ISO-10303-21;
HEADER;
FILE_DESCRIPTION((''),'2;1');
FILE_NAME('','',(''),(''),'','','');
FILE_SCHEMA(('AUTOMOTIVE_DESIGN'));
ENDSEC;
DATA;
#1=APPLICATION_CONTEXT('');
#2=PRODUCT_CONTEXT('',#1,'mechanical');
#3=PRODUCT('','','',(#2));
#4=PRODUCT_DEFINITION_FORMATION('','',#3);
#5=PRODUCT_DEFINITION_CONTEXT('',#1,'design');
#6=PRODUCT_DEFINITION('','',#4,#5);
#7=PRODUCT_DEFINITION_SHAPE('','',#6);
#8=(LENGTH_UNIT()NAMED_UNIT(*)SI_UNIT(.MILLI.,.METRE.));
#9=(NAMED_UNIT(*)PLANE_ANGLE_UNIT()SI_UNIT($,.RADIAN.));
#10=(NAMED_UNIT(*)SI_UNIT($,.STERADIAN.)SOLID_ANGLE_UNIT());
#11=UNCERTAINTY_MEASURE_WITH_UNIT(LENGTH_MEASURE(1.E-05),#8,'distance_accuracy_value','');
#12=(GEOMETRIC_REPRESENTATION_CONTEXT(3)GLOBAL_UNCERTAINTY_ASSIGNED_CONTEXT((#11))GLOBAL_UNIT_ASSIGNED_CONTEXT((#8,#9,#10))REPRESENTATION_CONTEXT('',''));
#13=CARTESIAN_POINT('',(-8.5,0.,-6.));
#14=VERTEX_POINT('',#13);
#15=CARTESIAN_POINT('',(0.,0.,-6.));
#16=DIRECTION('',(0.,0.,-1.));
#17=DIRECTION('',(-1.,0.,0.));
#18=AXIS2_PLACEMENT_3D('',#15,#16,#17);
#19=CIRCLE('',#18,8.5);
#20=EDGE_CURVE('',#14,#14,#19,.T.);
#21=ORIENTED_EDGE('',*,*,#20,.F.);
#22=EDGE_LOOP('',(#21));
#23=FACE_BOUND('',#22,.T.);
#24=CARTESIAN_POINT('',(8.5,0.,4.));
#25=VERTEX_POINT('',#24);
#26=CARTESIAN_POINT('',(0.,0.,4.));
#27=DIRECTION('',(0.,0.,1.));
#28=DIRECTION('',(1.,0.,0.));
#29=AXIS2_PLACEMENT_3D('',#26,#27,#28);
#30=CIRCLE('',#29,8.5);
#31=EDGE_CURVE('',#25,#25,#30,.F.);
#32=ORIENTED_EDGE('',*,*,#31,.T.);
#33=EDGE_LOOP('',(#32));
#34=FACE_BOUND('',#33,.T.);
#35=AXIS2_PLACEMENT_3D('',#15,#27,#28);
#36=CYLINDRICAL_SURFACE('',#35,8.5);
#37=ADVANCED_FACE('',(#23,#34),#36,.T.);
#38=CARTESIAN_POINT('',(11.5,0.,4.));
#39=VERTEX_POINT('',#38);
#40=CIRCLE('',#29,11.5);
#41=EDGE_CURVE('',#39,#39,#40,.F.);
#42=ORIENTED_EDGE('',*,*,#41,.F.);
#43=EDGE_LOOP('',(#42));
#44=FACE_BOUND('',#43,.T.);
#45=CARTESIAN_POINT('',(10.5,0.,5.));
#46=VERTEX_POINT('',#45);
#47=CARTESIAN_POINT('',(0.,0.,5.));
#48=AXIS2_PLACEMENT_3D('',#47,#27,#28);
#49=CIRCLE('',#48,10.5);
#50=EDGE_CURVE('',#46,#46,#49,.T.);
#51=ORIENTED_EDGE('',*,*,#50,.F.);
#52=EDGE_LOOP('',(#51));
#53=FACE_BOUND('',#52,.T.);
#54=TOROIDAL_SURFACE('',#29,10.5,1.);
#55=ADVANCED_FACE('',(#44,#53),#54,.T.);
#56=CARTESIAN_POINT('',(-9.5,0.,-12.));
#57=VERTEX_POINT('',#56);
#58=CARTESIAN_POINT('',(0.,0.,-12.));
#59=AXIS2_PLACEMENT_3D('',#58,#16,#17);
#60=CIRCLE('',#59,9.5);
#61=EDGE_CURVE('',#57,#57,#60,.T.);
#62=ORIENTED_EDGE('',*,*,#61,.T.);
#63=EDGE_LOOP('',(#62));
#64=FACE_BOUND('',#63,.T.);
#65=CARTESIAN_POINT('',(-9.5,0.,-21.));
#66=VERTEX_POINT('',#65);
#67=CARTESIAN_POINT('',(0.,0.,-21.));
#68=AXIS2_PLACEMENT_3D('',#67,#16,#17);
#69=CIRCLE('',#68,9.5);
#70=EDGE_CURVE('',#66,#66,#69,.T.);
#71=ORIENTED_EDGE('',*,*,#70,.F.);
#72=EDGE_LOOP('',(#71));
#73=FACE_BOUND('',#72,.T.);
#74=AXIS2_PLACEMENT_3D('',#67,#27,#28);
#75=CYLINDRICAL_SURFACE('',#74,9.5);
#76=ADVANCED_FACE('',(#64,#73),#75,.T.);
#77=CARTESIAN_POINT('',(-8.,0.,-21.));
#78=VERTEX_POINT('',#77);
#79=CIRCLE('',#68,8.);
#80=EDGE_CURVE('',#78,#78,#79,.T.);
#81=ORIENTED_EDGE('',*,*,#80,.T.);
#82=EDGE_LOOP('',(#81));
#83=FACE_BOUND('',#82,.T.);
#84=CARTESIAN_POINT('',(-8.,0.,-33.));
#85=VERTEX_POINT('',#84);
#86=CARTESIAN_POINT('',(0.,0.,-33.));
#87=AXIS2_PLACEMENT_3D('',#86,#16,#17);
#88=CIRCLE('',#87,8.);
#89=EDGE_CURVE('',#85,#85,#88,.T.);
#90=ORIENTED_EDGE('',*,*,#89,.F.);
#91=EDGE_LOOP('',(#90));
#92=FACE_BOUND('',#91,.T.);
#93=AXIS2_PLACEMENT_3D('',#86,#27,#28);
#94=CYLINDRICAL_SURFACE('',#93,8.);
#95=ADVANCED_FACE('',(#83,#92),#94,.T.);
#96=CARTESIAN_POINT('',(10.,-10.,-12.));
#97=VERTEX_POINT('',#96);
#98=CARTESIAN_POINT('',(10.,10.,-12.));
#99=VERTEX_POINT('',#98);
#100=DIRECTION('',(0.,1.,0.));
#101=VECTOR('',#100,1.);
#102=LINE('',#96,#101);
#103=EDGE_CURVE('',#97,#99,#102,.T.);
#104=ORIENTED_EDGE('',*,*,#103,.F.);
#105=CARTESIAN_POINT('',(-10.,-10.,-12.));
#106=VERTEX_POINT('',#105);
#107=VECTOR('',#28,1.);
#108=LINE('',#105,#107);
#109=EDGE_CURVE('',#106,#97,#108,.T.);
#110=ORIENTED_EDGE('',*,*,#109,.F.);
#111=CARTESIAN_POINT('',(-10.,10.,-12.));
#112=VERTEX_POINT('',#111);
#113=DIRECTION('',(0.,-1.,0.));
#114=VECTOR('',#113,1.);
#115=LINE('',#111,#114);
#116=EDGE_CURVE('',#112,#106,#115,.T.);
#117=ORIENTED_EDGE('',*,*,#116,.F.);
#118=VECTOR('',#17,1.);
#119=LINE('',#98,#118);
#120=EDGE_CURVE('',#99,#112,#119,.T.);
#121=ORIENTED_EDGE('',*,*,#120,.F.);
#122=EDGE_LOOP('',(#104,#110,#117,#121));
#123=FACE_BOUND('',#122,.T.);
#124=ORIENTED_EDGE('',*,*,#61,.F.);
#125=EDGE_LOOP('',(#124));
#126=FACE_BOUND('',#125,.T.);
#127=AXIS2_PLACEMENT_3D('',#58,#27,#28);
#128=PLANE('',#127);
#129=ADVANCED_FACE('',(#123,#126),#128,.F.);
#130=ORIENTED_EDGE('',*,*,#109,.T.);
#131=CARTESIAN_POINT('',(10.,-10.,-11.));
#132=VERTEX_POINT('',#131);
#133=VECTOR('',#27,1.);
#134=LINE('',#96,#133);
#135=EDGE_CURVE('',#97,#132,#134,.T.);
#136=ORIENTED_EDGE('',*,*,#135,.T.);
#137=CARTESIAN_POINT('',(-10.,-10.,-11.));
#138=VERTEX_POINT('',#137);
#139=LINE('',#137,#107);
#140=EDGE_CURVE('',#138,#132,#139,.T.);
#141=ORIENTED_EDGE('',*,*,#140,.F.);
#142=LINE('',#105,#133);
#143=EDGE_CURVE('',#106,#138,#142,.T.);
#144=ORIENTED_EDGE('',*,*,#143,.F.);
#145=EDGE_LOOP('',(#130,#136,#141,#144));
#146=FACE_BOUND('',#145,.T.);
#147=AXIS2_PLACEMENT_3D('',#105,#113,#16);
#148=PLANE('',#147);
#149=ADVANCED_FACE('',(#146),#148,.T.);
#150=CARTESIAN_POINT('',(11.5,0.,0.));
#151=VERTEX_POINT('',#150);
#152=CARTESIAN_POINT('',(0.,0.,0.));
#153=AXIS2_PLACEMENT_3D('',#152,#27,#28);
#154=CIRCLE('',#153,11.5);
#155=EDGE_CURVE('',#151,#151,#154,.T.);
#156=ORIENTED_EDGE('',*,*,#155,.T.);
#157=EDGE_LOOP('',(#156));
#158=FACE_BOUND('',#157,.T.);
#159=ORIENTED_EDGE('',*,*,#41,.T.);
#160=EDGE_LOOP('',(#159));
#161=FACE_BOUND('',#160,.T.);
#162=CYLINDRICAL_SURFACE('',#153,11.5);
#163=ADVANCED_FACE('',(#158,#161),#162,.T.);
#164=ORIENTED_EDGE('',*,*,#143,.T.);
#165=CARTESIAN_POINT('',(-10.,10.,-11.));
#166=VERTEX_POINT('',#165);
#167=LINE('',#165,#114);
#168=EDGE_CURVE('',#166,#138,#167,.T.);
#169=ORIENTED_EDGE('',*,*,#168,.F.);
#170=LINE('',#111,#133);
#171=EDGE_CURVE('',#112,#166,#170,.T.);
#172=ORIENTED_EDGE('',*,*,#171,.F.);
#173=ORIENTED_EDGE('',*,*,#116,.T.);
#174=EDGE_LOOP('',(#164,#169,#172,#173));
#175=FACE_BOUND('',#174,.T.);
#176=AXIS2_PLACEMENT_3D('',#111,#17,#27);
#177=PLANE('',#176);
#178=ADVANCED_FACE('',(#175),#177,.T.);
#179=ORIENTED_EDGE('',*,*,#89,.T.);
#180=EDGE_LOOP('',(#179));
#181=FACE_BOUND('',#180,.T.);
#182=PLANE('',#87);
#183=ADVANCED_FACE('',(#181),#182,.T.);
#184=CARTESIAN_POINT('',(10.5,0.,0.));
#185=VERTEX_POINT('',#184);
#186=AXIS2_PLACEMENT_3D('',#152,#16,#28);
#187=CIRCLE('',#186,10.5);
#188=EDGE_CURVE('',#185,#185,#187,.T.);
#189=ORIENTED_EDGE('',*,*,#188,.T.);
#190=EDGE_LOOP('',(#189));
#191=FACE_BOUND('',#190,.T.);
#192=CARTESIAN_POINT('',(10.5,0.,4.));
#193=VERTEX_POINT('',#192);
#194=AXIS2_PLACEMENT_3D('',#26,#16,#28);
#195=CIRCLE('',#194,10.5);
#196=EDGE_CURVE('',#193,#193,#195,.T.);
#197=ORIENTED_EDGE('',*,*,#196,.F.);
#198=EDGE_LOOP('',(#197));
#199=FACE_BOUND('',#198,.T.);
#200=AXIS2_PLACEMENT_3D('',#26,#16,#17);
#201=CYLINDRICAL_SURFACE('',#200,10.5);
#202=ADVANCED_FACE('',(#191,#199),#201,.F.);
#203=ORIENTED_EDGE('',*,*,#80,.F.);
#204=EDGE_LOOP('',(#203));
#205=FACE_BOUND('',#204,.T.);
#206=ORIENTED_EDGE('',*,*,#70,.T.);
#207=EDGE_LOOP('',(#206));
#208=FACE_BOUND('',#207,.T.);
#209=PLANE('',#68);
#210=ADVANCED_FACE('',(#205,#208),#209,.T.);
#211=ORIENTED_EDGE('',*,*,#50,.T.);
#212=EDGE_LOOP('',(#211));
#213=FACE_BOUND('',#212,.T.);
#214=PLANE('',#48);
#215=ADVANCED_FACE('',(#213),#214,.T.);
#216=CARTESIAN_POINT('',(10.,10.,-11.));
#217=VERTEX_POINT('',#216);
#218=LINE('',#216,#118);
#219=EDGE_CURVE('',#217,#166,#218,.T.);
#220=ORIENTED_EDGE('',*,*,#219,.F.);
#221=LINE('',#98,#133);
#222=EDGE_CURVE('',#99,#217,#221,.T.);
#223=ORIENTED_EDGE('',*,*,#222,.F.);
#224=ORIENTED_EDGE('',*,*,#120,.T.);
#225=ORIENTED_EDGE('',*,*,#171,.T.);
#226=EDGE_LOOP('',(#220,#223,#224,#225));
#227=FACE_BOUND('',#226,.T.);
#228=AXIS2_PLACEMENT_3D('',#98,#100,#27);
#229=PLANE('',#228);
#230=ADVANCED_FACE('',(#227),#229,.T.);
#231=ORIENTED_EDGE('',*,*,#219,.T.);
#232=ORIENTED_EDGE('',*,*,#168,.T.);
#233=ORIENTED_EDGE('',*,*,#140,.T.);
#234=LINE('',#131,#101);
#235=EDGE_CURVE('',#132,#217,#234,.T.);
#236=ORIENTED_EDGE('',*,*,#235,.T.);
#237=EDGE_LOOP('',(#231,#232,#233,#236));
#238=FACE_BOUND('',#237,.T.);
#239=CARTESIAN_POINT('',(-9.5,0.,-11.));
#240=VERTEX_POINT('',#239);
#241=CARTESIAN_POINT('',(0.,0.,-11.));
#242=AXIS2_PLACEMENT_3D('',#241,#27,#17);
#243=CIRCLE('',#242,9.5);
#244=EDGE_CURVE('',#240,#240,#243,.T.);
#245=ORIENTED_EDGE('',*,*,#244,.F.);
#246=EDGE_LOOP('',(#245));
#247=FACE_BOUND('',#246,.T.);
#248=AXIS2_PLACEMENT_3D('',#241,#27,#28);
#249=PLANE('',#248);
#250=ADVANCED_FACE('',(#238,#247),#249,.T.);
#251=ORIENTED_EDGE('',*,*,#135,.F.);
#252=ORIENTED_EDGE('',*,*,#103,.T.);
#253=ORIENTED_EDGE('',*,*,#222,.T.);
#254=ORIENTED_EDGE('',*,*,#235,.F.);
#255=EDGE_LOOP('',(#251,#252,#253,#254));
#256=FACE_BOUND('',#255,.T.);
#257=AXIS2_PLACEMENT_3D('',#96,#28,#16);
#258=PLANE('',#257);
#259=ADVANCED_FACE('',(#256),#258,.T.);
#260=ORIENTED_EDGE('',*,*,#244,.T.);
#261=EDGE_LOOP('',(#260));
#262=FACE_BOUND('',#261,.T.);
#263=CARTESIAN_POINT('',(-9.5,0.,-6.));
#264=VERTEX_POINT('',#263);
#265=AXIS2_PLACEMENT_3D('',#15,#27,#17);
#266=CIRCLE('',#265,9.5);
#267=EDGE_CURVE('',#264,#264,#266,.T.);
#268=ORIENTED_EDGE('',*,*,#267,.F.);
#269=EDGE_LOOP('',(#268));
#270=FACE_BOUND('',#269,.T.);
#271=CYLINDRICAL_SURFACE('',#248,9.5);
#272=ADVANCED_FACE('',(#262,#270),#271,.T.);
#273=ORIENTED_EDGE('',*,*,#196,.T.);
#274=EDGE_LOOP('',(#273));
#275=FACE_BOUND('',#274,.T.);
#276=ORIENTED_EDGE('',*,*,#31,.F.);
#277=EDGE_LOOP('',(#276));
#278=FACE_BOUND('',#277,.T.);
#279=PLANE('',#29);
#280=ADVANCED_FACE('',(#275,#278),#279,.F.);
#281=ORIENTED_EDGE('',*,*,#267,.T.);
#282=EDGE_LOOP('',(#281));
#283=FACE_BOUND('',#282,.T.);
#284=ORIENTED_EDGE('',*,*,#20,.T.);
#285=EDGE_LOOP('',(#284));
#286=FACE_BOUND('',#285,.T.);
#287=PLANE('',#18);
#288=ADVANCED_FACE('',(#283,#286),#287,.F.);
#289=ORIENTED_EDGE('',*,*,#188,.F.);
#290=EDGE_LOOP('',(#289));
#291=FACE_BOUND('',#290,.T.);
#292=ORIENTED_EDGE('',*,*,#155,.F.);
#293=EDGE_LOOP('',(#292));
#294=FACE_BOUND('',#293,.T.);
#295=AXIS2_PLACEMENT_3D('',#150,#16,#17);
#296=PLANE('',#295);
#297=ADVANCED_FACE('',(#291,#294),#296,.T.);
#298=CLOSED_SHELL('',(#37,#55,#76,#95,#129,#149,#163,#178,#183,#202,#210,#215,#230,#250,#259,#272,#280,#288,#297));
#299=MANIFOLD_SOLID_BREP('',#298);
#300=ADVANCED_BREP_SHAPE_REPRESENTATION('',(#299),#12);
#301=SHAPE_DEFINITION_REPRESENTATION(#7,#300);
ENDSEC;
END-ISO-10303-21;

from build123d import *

# Parameters (mm, degrees)
SKETCH_1_W          = 11.5
SKETCH_1_H          = 5
SKETCH_2_R          = 10.5
CUT_EXTRUDE_1_DEPTH = 4
SKETCH_3_R          = 8.5
EXTRUDE_1_DEPTH     = 10
SKETCH_4_R          = 9.5
EXTRUDE_2_DEPTH     = 5
SKETCH_5_W          = 20
SKETCH_5_H          = 20
EXTRUDE_3_DEPTH     = 1
SKETCH_6_R          = 9.5
EXTRUDE_4_DEPTH     = 9
SKETCH_7_R          = 8
EXTRUDE_5_DEPTH     = 12
FILLET_1_R          = 1


with BuildPart() as part:
    # 草图1 → 旋转1 (revolve)
    with BuildSketch(Plane(origin=(0, 0, 0), x_dir=(1, 0, 0), z_dir=(0, 1, 0))):
        with Locations((5.75, -2.5)):
            Rectangle(SKETCH_1_W, SKETCH_1_H)
    revolve(axis=Axis((0, 0, 0), (0, 0, 1)))

    # 草图2 → 切除-拉伸1 (cut)
    with BuildSketch(Plane(origin=(0, 0, 0), x_dir=(-1, 0, 0), z_dir=(0, 0, -1))):
        with Locations(Location((0, 0, 0), (0, 0, 180))):
            Circle(SKETCH_2_R)
    extrude(amount=-CUT_EXTRUDE_1_DEPTH, mode=Mode.SUBTRACT)

    # 草图3 → 凸台-拉伸1 (add)
    with BuildSketch(Plane(origin=(0, 0, 4), x_dir=(-1, 0, 0), z_dir=(0, 0, -1))):
        with Locations(Location((0, 0, 0), (0, 0, 180))):
            Circle(SKETCH_3_R)
    extrude(amount=EXTRUDE_1_DEPTH)

    # 草图4 → 凸台-拉伸2 (add)
    with BuildSketch(Plane.XY.offset(-6)):
        with Locations(Location((0, 0, 0), (0, 0, 180))):
            Circle(SKETCH_4_R)
    extrude(amount=-EXTRUDE_2_DEPTH)

    # 草图5 → 凸台-拉伸3 (add)
    with BuildSketch(Plane.XY.offset(-11)):
        Rectangle(SKETCH_5_W, SKETCH_5_H)
    extrude(amount=-EXTRUDE_3_DEPTH)

    # 草图6 → 凸台-拉伸4 (add)
    with BuildSketch(Plane(origin=(0, 0, -12), x_dir=(-1, 0, 0), z_dir=(0, 0, -1))):
        Circle(SKETCH_6_R)
    extrude(amount=EXTRUDE_4_DEPTH)

    # 草图7 → 凸台-拉伸5 (add)
    with BuildSketch(Plane(origin=(0, 0, -21), x_dir=(-1, 0, 0), z_dir=(0, 0, -1))):
        Circle(SKETCH_7_R)
    extrude(amount=EXTRUDE_5_DEPTH)

    # 圆角1
    fillet_1_edges = [part.edges().sort_by_distance(p)[0] for p in [
        (-11.5, 0, 5),
    ]]
    fillet(fillet_1_edges, radius=FILLET_1_R)


solid = part.part
